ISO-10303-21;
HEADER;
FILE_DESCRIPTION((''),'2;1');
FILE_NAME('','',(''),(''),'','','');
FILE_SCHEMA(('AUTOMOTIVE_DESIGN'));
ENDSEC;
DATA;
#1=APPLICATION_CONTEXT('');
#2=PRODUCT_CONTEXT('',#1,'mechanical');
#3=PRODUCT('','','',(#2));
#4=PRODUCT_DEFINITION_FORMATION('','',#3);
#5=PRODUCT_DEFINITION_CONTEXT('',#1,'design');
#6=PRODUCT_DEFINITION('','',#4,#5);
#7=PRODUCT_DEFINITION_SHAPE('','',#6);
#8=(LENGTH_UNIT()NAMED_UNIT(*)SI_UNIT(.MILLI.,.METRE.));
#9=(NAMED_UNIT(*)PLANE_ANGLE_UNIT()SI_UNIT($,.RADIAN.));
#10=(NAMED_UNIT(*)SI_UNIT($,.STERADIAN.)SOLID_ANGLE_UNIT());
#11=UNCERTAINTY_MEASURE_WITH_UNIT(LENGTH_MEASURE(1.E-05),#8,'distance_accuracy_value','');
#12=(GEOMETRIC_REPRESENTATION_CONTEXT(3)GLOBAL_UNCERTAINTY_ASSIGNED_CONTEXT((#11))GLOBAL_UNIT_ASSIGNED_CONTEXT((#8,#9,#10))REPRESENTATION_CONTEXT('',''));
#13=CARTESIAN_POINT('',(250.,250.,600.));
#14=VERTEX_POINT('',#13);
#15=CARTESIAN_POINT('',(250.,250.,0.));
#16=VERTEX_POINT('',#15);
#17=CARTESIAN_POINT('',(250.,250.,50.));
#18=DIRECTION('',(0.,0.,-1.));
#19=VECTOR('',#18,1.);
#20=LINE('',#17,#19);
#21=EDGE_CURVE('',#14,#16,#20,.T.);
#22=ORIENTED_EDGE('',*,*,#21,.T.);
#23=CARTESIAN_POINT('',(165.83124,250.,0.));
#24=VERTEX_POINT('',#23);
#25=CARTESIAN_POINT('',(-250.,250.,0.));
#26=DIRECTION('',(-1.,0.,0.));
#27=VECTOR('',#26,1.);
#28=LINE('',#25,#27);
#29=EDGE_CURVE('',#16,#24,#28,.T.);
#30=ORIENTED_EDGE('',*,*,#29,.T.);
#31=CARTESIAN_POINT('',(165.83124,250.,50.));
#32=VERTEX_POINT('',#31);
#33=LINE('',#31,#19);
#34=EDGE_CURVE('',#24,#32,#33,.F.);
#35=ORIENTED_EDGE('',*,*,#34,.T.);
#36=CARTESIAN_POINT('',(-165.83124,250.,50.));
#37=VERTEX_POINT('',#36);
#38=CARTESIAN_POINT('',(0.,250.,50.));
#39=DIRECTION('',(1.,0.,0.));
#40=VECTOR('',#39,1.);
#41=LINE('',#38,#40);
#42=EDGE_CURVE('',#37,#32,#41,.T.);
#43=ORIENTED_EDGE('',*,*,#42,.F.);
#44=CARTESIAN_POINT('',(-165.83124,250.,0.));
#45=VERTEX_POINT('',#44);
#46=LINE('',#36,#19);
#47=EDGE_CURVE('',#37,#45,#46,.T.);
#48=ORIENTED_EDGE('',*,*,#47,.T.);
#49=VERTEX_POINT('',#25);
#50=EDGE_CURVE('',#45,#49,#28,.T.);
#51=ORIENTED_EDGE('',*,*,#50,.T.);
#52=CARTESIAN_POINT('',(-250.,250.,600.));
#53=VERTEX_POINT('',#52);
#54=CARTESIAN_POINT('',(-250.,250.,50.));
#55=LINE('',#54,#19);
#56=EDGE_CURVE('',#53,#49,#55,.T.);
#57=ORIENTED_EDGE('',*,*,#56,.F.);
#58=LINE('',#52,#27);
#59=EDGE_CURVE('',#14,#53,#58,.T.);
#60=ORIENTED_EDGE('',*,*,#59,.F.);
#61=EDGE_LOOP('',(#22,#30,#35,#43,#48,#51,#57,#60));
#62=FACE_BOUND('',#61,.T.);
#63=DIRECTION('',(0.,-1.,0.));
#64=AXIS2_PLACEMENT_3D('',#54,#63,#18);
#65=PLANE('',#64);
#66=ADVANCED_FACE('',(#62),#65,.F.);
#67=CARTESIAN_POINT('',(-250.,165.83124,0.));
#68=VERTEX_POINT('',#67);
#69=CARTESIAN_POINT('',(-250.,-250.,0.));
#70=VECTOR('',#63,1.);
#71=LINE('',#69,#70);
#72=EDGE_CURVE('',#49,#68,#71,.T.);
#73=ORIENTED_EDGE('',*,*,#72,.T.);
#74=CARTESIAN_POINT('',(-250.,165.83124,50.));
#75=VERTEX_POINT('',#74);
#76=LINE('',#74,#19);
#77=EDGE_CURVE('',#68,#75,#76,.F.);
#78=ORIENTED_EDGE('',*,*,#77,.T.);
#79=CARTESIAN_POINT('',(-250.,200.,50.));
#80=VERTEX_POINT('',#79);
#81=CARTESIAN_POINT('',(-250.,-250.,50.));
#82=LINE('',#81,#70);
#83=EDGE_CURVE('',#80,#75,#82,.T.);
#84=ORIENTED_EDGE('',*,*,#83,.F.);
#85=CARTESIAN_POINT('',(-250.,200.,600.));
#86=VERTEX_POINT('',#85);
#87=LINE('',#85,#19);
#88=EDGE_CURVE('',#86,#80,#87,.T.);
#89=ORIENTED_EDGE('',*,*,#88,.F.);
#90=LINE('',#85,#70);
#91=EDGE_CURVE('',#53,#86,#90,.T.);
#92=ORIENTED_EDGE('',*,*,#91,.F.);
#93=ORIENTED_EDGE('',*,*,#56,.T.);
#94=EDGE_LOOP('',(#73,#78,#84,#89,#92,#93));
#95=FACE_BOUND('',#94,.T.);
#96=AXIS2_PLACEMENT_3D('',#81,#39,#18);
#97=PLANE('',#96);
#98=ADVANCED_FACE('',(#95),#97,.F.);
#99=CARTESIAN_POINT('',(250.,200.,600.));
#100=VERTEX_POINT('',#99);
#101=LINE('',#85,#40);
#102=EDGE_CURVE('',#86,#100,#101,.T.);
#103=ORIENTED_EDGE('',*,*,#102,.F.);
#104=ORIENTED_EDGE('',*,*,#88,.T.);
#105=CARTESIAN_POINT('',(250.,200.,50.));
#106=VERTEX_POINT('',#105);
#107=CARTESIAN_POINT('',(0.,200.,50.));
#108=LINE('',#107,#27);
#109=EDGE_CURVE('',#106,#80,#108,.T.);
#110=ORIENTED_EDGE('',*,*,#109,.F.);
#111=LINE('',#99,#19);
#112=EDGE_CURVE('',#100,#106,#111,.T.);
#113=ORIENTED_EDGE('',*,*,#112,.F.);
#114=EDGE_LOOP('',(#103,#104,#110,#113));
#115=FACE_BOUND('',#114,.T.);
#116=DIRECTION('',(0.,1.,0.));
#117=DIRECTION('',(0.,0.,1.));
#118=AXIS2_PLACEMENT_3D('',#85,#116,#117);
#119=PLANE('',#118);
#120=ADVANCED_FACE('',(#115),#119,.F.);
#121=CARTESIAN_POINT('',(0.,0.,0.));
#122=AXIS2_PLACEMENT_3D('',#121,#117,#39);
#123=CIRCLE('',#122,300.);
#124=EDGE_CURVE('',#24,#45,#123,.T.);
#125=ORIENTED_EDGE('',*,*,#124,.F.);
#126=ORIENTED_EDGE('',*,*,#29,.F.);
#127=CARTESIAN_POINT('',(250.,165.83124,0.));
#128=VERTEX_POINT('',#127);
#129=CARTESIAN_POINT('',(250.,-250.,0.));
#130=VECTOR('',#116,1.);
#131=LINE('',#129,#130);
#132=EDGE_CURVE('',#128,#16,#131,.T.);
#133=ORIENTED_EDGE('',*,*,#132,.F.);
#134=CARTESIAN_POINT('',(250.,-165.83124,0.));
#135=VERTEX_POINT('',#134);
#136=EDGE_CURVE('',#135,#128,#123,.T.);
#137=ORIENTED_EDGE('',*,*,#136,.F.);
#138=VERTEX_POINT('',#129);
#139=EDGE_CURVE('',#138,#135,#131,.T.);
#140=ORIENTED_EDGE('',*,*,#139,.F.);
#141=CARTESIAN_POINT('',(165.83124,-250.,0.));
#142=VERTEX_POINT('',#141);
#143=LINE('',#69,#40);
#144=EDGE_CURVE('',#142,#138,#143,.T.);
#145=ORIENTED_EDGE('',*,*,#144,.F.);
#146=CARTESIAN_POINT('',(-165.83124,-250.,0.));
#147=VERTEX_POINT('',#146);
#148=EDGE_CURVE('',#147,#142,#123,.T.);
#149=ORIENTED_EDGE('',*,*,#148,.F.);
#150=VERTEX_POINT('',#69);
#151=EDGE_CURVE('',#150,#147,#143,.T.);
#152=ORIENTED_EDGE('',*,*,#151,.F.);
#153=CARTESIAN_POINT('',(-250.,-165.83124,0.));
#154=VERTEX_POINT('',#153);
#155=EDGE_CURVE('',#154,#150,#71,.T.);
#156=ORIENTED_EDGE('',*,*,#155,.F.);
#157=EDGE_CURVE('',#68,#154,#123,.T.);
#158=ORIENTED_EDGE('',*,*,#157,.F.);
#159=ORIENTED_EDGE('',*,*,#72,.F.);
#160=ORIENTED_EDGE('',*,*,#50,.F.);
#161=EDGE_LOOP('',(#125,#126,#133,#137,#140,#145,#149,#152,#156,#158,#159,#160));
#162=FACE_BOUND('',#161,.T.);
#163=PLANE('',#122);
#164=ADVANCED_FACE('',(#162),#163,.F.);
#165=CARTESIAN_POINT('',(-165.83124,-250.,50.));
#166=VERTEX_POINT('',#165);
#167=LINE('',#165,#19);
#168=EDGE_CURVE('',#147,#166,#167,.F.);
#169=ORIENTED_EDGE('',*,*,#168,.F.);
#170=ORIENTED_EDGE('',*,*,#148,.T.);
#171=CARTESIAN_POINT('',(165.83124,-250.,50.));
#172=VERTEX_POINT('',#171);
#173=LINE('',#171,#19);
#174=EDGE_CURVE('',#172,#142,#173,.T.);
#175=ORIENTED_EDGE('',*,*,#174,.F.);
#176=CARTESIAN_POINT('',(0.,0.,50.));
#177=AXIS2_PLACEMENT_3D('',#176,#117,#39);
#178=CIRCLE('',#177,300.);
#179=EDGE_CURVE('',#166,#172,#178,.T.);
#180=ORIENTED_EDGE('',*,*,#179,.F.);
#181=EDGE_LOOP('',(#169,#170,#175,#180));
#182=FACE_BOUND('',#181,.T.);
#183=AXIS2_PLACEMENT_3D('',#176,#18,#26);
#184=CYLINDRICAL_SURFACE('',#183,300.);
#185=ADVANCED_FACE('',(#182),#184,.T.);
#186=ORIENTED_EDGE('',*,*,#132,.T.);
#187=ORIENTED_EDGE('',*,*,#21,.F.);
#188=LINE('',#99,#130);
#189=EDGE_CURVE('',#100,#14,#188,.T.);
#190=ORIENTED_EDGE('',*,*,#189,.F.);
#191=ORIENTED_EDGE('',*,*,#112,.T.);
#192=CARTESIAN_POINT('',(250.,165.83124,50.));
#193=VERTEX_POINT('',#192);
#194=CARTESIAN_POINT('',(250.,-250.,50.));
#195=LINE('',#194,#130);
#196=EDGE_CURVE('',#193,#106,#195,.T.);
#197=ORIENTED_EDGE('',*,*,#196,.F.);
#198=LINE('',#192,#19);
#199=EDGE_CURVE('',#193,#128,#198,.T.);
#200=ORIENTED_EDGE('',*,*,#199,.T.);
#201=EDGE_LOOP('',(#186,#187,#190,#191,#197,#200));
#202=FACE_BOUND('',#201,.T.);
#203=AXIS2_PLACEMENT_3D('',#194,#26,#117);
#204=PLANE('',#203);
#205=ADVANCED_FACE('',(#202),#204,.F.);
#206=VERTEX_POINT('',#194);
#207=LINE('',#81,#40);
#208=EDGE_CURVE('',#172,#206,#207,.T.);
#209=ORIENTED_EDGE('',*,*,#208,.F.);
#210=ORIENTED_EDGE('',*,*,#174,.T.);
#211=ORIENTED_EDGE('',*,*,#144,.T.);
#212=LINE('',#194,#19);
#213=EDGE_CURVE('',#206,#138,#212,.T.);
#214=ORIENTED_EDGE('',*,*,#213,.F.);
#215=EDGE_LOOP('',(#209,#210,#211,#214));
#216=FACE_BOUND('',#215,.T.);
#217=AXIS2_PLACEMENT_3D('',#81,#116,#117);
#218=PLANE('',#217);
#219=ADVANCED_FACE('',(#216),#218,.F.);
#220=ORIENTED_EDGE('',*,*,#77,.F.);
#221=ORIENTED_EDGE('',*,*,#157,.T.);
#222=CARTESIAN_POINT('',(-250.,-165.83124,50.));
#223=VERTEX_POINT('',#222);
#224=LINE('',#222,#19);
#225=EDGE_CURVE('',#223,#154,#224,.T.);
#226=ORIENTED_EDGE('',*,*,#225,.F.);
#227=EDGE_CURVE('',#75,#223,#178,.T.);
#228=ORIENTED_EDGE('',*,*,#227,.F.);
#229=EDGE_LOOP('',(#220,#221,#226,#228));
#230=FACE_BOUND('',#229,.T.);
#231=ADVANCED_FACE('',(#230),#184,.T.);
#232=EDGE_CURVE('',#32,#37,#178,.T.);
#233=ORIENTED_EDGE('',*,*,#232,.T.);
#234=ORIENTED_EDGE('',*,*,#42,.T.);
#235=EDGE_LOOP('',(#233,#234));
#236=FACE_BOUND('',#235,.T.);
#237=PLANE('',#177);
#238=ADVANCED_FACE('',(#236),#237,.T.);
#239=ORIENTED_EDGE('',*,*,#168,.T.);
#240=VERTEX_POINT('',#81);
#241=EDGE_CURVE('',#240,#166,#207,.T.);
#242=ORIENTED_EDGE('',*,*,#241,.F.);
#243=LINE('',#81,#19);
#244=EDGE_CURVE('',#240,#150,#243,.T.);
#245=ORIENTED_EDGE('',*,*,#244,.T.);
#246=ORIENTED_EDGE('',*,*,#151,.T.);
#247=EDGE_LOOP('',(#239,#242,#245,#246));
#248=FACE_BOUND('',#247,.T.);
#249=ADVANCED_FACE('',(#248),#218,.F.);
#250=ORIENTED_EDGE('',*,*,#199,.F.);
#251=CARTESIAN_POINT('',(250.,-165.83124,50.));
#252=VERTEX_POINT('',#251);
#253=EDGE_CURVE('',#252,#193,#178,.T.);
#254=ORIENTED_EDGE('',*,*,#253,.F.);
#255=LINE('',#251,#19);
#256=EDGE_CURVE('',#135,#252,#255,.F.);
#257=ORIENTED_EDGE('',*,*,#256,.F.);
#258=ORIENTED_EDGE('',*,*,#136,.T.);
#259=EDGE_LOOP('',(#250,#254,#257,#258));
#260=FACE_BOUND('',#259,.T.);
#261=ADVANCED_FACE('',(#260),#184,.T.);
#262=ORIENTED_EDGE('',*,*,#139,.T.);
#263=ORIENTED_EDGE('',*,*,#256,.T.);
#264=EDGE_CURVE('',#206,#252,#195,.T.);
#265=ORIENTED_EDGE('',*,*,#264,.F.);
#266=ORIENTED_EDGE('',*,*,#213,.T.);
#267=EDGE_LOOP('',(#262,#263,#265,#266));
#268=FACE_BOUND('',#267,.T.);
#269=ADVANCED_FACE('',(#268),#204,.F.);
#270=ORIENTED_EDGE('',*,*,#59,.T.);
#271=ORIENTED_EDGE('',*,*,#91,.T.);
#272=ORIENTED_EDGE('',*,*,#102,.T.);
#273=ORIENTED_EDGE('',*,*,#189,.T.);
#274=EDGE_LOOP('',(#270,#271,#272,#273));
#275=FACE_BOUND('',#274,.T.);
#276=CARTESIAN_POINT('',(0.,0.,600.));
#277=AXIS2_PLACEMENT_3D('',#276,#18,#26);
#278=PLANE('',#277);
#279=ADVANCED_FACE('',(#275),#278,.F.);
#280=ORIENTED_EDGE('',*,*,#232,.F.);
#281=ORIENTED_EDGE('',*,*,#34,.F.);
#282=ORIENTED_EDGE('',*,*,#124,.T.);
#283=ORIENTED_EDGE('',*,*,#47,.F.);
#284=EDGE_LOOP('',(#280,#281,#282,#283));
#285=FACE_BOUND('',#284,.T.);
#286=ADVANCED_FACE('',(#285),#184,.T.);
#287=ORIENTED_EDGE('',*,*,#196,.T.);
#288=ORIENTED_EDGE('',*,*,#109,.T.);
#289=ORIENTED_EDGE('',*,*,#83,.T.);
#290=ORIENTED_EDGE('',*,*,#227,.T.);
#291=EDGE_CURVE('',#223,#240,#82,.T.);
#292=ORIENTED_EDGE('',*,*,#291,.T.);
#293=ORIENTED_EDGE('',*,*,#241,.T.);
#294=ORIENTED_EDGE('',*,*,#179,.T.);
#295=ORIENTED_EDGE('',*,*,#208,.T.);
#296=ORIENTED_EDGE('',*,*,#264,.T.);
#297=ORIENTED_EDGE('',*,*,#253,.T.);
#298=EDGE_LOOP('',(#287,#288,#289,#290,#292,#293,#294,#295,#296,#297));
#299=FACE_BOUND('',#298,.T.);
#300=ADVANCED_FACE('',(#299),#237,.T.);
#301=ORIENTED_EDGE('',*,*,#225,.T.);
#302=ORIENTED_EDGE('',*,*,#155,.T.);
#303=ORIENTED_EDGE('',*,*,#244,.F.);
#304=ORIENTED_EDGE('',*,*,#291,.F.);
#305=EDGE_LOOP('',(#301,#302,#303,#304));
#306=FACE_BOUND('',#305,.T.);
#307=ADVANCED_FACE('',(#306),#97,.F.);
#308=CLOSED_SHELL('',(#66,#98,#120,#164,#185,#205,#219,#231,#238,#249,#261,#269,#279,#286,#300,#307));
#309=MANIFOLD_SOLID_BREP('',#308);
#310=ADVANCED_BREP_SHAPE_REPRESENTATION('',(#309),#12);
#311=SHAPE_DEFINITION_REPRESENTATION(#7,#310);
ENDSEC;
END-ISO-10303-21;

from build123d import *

# Parameters (mm, degrees)
SKETCH_1_R      = 300
EXTRUDE_1_DEPTH = 50
SKETCH_2_W      = 500
SKETCH_2_H      = 500
EXTRUDE_2_DEPTH = 50
SKETCH_3_W      = 500
SKETCH_3_H      = 50
EXTRUDE_3_DEPTH = 600


with BuildPart() as part:
    # 草图1 → 凸台-拉伸1 (new body)
    with BuildSketch(Plane.XY):
        Circle(SKETCH_1_R)
    extrude(amount=EXTRUDE_1_DEPTH)

    # 草图2 → 凸台-拉伸2 (add)
    with BuildSketch(Plane.XY):
        Rectangle(SKETCH_2_W, SKETCH_2_H)
    extrude(amount=EXTRUDE_2_DEPTH)

    # 草图3 → 凸台-拉伸3 (add)
    with BuildSketch(Plane.XY):
        with Locations((0, 225)):
            Rectangle(SKETCH_3_W, SKETCH_3_H)
    extrude(amount=EXTRUDE_3_DEPTH)


solid = part.part
